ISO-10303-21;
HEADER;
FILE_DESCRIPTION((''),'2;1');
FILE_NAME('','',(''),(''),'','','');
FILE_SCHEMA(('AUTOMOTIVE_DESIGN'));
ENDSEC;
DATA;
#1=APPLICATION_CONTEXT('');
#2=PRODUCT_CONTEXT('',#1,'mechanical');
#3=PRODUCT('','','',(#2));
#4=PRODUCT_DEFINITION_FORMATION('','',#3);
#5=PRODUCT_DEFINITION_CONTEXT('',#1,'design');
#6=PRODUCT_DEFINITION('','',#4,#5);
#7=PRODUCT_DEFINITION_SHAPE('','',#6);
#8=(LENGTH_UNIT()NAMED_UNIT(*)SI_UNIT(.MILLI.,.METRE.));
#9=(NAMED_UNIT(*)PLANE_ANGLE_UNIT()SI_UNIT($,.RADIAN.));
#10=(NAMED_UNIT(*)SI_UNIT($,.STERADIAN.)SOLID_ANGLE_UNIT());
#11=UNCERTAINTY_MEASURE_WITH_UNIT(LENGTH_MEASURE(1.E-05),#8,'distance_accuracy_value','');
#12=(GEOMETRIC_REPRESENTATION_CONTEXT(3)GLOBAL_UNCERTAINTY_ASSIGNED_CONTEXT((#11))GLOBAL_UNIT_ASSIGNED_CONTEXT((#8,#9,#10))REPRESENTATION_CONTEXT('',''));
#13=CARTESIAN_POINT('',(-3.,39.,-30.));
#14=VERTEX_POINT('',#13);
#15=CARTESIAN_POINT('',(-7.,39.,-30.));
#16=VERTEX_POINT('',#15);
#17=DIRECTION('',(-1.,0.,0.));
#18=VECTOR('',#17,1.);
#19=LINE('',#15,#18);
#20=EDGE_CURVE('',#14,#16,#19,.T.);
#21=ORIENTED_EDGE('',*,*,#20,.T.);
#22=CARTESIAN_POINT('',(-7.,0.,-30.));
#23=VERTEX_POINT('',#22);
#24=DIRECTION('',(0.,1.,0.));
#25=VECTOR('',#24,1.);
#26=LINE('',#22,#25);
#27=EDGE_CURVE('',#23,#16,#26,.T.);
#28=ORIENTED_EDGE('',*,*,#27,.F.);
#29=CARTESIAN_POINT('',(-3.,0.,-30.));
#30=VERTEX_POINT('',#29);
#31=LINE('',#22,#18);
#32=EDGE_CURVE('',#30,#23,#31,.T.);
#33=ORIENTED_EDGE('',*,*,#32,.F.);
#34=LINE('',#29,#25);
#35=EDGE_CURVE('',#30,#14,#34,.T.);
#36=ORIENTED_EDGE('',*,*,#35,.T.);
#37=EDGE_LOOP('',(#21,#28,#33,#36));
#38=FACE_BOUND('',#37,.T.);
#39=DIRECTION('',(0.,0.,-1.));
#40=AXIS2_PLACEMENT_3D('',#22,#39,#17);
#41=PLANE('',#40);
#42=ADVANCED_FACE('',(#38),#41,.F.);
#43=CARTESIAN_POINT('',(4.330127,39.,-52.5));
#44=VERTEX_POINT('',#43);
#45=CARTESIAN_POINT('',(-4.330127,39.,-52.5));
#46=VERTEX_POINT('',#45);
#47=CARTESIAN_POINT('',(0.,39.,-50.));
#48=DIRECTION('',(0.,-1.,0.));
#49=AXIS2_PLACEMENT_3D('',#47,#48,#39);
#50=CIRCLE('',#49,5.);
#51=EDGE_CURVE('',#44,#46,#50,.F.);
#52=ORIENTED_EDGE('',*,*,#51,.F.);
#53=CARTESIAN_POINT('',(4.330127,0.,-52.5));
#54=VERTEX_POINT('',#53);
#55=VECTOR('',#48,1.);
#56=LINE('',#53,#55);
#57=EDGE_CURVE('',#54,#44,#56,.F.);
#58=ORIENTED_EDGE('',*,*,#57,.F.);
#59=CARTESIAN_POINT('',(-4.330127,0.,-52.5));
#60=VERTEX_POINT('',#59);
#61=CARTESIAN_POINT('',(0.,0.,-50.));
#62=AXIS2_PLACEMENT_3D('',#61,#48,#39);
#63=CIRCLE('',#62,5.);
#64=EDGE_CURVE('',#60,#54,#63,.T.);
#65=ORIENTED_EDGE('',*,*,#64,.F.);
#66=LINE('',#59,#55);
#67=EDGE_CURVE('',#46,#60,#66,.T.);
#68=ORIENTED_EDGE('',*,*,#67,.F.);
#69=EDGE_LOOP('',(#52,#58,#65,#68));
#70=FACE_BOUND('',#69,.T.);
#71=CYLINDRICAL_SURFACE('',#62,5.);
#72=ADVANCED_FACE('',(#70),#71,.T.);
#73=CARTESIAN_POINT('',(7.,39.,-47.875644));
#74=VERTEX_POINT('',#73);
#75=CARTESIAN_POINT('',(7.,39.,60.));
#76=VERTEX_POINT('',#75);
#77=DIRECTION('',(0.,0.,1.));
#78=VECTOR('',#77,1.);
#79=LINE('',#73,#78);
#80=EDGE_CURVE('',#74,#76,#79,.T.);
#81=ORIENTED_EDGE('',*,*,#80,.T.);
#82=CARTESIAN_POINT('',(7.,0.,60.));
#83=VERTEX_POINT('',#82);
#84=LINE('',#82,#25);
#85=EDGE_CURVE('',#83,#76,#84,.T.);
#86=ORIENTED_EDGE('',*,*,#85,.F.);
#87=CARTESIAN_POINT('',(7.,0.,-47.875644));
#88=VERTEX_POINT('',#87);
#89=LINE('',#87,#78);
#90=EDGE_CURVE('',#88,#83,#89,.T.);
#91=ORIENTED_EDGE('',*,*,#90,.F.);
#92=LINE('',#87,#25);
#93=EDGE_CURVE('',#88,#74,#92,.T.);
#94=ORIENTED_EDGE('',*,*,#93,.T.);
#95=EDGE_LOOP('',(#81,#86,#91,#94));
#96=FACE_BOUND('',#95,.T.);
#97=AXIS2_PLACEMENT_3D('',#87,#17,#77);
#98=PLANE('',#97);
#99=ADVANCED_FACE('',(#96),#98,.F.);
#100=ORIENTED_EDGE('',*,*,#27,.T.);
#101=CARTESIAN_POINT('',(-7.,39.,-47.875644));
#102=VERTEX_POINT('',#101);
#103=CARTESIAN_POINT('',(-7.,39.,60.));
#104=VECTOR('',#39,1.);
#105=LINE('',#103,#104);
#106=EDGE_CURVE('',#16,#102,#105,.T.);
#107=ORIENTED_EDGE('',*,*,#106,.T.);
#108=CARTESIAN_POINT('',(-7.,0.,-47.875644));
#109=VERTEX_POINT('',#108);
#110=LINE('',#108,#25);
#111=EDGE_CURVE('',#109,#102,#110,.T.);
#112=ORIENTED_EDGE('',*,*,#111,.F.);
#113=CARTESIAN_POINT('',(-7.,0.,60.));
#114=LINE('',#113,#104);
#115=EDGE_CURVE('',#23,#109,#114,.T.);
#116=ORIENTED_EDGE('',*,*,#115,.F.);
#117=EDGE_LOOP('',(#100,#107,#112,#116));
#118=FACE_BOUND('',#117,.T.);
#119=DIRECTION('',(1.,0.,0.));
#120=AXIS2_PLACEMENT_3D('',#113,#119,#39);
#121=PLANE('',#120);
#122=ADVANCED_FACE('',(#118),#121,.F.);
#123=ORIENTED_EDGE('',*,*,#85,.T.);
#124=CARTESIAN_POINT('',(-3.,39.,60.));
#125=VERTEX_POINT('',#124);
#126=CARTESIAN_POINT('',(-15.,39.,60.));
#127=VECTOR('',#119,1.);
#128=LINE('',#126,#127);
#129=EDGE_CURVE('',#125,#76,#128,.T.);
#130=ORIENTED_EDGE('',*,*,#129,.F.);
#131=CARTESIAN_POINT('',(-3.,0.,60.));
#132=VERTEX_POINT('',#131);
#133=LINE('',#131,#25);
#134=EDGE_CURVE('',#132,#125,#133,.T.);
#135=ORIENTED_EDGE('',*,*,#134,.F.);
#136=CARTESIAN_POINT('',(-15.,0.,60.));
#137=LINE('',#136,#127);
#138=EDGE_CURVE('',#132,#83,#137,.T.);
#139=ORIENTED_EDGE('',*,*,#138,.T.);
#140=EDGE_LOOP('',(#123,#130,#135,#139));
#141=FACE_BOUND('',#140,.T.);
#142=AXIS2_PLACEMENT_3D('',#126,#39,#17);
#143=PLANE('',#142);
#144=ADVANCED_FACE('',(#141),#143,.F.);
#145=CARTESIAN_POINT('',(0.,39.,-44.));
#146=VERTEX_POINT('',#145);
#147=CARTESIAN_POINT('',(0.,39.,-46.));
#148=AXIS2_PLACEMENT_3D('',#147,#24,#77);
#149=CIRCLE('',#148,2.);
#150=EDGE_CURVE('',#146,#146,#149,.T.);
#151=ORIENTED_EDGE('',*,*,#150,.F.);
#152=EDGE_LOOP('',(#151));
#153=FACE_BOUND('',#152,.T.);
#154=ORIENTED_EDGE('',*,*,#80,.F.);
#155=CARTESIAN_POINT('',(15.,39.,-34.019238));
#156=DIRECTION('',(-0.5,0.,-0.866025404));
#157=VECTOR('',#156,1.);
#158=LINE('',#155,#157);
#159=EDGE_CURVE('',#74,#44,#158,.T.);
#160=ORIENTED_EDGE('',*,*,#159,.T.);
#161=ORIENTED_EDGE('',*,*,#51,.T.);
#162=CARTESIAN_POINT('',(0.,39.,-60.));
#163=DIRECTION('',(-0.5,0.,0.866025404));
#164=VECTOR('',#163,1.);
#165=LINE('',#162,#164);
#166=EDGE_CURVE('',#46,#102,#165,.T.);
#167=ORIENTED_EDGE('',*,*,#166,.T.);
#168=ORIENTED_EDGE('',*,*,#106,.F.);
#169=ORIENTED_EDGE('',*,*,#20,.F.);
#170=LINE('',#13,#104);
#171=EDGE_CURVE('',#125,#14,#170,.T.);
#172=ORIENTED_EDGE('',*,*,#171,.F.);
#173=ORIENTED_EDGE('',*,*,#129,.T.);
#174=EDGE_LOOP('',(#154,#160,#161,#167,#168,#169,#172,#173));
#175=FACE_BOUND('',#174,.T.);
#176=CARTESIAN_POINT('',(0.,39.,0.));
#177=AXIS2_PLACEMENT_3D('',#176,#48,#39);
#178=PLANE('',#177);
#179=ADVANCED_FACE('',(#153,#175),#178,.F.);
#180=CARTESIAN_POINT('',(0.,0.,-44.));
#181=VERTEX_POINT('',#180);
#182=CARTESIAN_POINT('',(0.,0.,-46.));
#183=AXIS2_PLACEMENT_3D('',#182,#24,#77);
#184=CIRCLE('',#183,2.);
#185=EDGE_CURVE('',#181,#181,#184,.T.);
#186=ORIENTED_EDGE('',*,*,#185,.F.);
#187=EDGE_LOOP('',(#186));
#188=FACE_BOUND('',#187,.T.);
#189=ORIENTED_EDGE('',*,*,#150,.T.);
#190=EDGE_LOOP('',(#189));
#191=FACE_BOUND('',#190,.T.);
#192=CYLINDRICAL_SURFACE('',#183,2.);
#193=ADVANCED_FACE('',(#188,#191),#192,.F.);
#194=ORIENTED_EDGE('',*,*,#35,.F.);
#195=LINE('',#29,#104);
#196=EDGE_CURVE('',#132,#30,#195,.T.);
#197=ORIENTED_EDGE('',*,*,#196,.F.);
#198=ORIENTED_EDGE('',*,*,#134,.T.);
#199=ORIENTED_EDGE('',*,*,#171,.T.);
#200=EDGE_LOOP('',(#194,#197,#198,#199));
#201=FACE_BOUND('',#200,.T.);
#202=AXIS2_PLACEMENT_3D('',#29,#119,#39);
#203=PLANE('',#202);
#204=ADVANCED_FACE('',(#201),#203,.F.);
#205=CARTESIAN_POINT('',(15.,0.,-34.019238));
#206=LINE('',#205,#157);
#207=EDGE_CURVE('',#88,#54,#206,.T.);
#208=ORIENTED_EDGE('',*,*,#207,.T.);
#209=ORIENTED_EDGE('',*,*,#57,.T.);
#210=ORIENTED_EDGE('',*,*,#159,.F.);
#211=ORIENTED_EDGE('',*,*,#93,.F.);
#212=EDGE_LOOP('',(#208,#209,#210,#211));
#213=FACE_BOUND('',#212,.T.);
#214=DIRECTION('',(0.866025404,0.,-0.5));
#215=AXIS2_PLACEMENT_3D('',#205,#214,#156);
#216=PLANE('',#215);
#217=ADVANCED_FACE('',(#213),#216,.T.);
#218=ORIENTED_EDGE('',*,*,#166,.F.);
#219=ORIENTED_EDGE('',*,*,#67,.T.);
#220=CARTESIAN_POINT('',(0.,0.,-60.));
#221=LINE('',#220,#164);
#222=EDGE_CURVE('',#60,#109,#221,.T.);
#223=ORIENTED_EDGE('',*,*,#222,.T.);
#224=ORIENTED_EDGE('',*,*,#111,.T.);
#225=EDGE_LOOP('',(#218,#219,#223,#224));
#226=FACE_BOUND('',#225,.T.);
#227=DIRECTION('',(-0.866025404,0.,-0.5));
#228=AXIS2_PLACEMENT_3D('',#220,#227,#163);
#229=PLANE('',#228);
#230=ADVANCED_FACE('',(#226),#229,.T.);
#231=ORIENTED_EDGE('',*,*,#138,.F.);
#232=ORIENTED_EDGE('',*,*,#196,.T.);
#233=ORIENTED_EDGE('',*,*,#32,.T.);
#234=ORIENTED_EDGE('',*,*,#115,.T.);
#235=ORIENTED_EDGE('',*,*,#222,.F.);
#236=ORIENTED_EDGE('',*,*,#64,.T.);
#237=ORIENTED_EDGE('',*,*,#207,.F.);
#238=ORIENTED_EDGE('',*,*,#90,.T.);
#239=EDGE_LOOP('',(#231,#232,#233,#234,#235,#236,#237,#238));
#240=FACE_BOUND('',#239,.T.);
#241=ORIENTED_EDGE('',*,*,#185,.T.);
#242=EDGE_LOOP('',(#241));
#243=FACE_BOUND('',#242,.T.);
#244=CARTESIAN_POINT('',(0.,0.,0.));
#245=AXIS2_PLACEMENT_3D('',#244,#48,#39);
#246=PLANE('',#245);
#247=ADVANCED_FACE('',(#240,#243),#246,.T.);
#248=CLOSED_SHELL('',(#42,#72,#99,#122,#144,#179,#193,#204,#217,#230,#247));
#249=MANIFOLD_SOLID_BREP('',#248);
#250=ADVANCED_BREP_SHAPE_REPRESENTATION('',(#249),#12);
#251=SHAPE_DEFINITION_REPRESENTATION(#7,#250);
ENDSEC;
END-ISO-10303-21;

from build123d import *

# Parameters (mm, degrees)
SKETCH1_W           = 30
SKETCH1_H           = 120
BOSS_EXTRUDE1_DEPTH = 39
SKETCH2_OUTSIDE_W   = 57.94
SKETCH2_OUTSIDE_H   = 147.94
CUT_EXTRUDE2_DEPTH  = 74.116345642
FILLET1_R           = 5
CUT_EXTRUDE3_DEPTH  = 74.116345642
SKETCH4_W           = 4
SKETCH4_H           = 90
CUT_EXTRUDE4_DEPTH  = 72.902712049
SKETCH5_R           = 2
CUT_EXTRUDE5_DEPTH  = 72.902712049


with BuildPart() as part:
    # Sketch1 → Boss-Extrude1 (new body)
    with BuildSketch(Plane(origin=(0, 0, 0), x_dir=(1, 0, 0), z_dir=(0, 1, 0))):
        Rectangle(SKETCH1_W, SKETCH1_H)
    extrude(amount=BOSS_EXTRUDE1_DEPTH)

    # Sketch2 outside → Cut-Extrude2 (cut, through all)
    with BuildSketch(Plane(origin=(0, 39, 0), x_dir=(1, 0, 0), z_dir=(0, 1, 0))):
        Rectangle(SKETCH2_OUTSIDE_W, SKETCH2_OUTSIDE_H)
        Polygon((0, 60), (-15, 34.019237886), (-15, -60), (15, -60), (15, 34.019237886), align=None, mode=Mode.SUBTRACT)
    extrude(amount=-CUT_EXTRUDE2_DEPTH, mode=Mode.SUBTRACT)

    # Fillet1
    fillet1_edges = [part.edges().sort_by_distance(p)[0] for p in [
        (0, 19.5, -60),
    ]]
    fillet(fillet1_edges, radius=FILLET1_R)

    # Sketch3 → Cut-Extrude3 (cut, through all)
    with BuildSketch(Plane(origin=(0, 39, 0), x_dir=(1, 0, 0), z_dir=(0, 1, 0))):
        Polygon((-15, 34.019237886), (-15, -60), (-7, -60), (-7, 47.875644347), align=None)
        Polygon((7, 47.875644347), (7, -60), (15, -60), (15, 34.019237886), align=None)
    extrude(amount=-CUT_EXTRUDE3_DEPTH, mode=Mode.SUBTRACT)

    # Sketch4 → Cut-Extrude4 (cut, through all)
    with BuildSketch(Plane(origin=(0, 39, 0), x_dir=(1, 0, 0), z_dir=(0, 1, 0))):
        with Locations((-5, -15)):
            Rectangle(SKETCH4_W, SKETCH4_H)
    extrude(amount=-CUT_EXTRUDE4_DEPTH, mode=Mode.SUBTRACT)

    # Sketch5 → Cut-Extrude5 (cut, through all)
    with BuildSketch(Plane(origin=(0, 39, 0), x_dir=(1, 0, 0), z_dir=(0, 1, 0))):
        with Locations(Location((0, 46, 0), (0, 0, 270))):
            Circle(SKETCH5_R)
    extrude(amount=-CUT_EXTRUDE5_DEPTH, mode=Mode.SUBTRACT)


solid = part.part
